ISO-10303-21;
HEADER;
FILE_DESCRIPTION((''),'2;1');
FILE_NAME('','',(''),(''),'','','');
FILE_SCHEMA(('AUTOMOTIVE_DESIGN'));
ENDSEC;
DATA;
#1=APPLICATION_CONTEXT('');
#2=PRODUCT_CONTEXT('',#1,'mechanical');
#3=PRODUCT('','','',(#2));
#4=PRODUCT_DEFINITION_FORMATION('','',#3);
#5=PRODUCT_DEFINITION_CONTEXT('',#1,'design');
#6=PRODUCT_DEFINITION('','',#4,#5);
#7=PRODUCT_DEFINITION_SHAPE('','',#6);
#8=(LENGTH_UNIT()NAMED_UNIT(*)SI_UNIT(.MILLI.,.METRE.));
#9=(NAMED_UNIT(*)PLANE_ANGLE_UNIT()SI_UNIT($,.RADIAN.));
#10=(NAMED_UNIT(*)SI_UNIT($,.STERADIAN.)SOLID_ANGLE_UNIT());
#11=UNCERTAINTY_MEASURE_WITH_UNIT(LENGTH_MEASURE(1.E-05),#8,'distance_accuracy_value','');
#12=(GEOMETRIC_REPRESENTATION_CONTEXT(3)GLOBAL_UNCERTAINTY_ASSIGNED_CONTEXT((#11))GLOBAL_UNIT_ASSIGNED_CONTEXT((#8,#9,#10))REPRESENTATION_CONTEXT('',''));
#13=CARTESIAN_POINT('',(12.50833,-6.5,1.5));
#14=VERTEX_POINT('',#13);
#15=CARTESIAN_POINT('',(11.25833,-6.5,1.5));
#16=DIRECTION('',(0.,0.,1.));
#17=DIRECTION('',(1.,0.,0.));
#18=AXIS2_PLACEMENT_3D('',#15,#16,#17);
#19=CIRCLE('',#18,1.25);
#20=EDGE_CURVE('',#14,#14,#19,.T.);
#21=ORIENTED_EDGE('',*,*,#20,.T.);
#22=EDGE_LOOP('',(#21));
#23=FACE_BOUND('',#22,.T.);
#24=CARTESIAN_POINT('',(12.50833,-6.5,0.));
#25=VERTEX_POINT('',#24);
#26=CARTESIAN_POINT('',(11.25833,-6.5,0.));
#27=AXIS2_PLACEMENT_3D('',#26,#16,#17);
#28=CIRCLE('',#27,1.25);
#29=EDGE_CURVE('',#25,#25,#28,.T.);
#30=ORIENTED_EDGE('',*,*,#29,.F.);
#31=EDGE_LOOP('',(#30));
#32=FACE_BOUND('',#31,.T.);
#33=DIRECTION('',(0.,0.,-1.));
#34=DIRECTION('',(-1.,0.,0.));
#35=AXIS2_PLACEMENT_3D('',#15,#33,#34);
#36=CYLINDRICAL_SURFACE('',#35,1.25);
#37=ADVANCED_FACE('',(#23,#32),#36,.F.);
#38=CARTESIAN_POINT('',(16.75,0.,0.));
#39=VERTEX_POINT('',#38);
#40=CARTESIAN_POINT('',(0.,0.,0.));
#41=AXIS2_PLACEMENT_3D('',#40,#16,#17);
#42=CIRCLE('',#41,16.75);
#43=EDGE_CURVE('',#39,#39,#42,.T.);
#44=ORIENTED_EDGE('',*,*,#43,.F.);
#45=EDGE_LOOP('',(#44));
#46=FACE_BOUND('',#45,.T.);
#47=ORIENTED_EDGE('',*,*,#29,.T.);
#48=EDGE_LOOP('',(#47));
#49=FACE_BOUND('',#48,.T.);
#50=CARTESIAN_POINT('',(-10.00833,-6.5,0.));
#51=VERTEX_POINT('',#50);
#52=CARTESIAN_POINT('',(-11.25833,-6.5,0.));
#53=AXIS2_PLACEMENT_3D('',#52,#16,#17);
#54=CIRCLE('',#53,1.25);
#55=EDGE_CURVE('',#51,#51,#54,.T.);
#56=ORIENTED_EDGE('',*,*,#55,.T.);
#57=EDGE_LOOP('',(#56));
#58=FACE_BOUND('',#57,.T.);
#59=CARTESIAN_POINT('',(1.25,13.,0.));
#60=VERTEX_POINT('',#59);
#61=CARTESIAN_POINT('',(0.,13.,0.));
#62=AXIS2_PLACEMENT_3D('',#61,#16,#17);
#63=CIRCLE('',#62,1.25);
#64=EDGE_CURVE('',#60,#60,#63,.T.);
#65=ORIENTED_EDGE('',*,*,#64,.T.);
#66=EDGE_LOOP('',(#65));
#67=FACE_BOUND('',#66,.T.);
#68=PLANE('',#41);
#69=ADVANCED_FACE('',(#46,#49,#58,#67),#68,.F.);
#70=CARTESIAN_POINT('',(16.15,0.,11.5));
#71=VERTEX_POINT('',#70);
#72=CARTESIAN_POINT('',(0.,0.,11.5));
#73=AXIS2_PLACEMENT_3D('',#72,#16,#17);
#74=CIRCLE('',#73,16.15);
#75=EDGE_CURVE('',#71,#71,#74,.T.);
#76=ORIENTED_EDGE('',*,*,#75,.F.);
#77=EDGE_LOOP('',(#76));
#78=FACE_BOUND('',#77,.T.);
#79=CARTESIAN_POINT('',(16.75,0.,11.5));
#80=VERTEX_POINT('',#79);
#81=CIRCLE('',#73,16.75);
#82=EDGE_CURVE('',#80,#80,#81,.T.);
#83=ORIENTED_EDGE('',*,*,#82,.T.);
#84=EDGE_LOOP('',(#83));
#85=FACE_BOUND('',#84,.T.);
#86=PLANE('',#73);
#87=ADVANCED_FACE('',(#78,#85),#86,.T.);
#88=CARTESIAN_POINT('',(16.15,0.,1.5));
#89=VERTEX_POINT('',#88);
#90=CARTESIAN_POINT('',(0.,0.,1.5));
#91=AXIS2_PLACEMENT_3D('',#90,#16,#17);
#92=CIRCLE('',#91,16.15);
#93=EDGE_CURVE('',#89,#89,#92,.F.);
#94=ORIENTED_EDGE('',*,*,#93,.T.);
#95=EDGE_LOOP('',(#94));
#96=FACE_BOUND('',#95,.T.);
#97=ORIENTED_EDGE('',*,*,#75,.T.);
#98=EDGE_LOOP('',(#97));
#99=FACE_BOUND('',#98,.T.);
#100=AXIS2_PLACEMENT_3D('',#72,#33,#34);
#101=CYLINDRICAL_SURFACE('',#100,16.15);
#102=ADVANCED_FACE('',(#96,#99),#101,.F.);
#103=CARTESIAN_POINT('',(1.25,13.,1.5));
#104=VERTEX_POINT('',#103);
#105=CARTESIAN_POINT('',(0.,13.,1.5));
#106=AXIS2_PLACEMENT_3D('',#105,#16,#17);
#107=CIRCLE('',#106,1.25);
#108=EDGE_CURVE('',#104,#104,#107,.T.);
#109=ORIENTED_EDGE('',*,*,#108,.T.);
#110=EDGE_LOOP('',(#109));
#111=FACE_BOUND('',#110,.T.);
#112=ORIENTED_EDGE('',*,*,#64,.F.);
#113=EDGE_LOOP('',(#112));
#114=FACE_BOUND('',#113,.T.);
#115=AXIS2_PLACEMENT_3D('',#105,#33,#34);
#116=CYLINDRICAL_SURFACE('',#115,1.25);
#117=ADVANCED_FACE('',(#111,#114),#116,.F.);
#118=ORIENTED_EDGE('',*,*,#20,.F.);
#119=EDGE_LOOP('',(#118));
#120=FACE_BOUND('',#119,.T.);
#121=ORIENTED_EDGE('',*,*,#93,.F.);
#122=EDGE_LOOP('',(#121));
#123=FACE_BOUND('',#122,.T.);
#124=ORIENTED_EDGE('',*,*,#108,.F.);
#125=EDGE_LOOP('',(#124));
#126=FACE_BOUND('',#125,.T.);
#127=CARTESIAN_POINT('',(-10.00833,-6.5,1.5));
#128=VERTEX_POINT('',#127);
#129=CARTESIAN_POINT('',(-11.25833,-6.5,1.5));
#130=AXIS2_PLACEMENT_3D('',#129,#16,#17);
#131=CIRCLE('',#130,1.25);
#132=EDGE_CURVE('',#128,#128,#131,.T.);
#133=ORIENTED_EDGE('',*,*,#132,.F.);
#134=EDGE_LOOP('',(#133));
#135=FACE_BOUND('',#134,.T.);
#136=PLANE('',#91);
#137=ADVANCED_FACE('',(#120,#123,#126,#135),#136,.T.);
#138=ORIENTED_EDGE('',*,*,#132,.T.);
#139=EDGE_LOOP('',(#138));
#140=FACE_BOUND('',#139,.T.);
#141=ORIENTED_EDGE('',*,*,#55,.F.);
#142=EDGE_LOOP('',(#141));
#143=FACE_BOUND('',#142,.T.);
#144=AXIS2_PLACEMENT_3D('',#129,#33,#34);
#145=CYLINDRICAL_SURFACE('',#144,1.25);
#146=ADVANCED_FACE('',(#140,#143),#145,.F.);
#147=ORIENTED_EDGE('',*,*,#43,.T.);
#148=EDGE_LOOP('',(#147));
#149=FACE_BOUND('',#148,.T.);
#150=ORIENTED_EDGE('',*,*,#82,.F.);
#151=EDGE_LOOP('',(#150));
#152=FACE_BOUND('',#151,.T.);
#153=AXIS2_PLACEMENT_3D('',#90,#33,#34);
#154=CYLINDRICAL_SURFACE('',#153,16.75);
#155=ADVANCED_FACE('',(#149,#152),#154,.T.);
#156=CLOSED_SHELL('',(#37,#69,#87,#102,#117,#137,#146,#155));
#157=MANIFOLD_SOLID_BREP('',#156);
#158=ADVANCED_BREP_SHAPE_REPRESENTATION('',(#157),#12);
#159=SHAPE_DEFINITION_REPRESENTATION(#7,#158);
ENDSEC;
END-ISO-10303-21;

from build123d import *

# Parameters (mm, degrees)
SKETCH_1_R      = 16.75
SKETCH_1_R_2    = 1.25
EXTRUDE_1_DEPTH = 1.5
SKETCH_2_R      = 16.75
SKETCH_2_R_2    = 16.15
EXTRUDE_2_DEPTH = 10


with BuildPart() as part:
    # 草图1 → 凸台-拉伸1 (new body)
    with BuildSketch(Plane.XY):
        Circle(SKETCH_1_R)
        with Locations((0, 13)):
            Circle(SKETCH_1_R_2, mode=Mode.SUBTRACT)
        with Locations((11.258330249, -6.5)):
            Circle(SKETCH_1_R_2, mode=Mode.SUBTRACT)
        with Locations((-11.258330249, -6.5)):
            Circle(SKETCH_1_R_2, mode=Mode.SUBTRACT)
    extrude(amount=EXTRUDE_1_DEPTH)

    # 草图2 → 凸台-拉伸2 (add)
    with BuildSketch(Plane.XY.offset(1.5)):
        Circle(SKETCH_2_R)
        Circle(SKETCH_2_R_2, mode=Mode.SUBTRACT)
    extrude(amount=EXTRUDE_2_DEPTH)


solid = part.part
